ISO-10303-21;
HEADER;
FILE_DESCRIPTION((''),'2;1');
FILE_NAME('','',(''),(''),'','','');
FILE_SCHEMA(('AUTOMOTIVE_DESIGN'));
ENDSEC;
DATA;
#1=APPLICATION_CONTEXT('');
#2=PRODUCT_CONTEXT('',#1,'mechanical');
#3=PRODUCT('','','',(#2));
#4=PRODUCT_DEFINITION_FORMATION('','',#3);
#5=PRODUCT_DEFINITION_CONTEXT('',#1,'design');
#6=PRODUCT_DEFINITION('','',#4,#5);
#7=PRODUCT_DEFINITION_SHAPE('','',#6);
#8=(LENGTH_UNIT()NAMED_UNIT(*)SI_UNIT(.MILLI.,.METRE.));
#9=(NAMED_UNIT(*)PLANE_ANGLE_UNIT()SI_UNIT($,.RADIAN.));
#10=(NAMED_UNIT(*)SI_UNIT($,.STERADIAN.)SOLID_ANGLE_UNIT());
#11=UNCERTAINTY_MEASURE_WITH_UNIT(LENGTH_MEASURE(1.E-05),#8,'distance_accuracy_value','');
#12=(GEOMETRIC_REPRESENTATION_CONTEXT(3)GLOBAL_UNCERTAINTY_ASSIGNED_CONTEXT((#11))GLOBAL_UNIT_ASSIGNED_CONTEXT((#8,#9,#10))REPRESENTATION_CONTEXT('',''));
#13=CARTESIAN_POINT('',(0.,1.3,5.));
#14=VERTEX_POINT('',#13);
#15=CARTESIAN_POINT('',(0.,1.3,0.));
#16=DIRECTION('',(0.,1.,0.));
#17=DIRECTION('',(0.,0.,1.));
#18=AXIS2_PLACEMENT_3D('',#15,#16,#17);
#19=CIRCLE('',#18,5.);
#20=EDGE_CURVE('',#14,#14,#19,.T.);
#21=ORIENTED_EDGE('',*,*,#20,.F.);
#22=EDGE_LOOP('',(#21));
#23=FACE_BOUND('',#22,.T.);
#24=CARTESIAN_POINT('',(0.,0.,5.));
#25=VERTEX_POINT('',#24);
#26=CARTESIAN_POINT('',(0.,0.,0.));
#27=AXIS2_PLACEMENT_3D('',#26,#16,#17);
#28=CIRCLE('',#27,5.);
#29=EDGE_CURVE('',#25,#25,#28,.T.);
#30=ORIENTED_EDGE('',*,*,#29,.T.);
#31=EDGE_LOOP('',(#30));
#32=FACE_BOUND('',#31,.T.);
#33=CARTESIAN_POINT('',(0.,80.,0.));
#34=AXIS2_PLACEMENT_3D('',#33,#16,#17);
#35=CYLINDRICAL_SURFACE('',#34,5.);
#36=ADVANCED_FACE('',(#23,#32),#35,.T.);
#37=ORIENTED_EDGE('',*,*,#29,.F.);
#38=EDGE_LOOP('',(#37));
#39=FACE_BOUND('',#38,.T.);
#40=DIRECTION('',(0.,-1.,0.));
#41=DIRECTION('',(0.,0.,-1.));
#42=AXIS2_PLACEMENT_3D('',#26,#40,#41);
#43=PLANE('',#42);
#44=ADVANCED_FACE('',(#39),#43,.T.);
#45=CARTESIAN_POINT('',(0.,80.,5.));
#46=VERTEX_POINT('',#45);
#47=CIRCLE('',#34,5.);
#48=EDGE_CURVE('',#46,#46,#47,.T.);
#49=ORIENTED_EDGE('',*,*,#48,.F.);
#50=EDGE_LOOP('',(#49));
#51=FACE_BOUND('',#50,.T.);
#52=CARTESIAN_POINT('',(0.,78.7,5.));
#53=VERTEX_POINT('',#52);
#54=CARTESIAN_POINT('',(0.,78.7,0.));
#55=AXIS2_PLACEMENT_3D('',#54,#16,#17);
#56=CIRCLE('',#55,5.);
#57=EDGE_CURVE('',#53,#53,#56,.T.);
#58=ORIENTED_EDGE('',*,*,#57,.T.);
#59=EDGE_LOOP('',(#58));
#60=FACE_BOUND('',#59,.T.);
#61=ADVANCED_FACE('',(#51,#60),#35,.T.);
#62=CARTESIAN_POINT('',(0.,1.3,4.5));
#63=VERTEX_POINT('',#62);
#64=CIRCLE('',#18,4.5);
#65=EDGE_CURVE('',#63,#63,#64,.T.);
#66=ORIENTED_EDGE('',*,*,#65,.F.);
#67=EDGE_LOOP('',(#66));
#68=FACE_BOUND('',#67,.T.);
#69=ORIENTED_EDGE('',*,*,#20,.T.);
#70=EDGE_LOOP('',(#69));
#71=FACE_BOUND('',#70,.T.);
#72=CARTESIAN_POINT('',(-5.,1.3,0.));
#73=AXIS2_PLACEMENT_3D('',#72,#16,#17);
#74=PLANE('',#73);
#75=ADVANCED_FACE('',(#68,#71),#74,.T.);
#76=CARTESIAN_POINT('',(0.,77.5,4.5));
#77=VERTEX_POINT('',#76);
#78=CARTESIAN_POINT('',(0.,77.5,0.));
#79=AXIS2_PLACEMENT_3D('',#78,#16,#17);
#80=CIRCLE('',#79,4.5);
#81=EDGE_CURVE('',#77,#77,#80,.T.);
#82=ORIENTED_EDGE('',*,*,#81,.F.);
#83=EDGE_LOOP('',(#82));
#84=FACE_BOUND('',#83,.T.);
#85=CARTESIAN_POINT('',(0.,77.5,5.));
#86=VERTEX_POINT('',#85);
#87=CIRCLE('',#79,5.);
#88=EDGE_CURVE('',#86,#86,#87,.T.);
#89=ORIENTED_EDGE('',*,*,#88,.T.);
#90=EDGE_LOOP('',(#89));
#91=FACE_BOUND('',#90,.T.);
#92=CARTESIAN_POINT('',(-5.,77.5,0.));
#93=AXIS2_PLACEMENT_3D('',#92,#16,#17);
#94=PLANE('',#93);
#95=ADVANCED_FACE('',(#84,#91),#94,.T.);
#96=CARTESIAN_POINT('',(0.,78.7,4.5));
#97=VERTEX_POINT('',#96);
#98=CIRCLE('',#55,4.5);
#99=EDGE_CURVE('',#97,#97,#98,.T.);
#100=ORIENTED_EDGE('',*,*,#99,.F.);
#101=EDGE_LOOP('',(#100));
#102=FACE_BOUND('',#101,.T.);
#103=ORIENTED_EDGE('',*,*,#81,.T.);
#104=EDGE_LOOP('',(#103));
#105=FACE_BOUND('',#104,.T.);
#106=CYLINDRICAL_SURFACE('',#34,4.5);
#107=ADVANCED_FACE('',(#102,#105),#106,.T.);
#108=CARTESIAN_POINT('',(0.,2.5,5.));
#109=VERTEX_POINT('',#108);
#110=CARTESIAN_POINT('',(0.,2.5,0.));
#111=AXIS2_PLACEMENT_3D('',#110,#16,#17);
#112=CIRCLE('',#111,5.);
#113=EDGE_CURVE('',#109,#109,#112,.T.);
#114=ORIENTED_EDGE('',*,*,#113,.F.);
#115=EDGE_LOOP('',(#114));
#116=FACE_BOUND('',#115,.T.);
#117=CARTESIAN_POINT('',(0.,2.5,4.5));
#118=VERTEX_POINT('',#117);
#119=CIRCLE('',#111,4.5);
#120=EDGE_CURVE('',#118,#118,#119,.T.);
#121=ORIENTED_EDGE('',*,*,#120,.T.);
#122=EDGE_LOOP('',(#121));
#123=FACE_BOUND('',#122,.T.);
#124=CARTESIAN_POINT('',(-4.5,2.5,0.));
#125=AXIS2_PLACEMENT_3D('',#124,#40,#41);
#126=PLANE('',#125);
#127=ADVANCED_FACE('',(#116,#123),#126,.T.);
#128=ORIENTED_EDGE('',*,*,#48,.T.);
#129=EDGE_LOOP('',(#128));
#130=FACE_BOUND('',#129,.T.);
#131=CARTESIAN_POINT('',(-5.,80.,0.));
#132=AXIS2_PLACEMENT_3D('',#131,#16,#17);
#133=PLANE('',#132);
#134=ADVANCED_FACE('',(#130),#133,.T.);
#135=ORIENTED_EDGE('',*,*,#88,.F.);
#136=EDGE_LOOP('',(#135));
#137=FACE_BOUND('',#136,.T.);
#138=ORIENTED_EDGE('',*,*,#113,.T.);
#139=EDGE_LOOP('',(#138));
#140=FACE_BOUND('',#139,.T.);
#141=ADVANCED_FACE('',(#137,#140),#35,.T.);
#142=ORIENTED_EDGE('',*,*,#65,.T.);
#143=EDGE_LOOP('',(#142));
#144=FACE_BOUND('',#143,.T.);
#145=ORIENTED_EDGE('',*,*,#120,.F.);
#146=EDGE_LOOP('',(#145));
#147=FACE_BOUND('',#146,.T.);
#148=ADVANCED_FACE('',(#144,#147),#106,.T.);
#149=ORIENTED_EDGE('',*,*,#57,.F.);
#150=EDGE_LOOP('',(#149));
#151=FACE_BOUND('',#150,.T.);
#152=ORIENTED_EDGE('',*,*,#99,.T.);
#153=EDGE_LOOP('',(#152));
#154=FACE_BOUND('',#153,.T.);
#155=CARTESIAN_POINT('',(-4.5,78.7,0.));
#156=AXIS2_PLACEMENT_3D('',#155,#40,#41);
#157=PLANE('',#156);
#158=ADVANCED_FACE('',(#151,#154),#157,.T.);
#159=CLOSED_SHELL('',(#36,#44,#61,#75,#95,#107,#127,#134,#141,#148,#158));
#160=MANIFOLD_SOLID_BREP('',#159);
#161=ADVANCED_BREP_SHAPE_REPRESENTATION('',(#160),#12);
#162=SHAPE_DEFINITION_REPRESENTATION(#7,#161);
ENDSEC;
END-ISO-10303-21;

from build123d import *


with BuildPart() as part:
    # 草图1 → 旋转1 (revolve)
    with BuildSketch(Plane.XY, mode=Mode.PRIVATE) as revolve_1_sk:
        Polygon((0, 0), (-5, 0), (-5, 1.3), (-4.5, 1.3), (-4.5, 2.5), (-5, 2.5), (-5, 77.5), (-4.5, 77.5), (-4.5, 78.7), (-5, 78.7), (-5, 80), (0, 80), align=None)
    revolve(revolve_1_sk.sketch.rotate(Axis((0, 80, 0), (0, -1, 0)), 270), axis=Axis((0, 80, 0), (0, -1, 0)))


solid = part.part
